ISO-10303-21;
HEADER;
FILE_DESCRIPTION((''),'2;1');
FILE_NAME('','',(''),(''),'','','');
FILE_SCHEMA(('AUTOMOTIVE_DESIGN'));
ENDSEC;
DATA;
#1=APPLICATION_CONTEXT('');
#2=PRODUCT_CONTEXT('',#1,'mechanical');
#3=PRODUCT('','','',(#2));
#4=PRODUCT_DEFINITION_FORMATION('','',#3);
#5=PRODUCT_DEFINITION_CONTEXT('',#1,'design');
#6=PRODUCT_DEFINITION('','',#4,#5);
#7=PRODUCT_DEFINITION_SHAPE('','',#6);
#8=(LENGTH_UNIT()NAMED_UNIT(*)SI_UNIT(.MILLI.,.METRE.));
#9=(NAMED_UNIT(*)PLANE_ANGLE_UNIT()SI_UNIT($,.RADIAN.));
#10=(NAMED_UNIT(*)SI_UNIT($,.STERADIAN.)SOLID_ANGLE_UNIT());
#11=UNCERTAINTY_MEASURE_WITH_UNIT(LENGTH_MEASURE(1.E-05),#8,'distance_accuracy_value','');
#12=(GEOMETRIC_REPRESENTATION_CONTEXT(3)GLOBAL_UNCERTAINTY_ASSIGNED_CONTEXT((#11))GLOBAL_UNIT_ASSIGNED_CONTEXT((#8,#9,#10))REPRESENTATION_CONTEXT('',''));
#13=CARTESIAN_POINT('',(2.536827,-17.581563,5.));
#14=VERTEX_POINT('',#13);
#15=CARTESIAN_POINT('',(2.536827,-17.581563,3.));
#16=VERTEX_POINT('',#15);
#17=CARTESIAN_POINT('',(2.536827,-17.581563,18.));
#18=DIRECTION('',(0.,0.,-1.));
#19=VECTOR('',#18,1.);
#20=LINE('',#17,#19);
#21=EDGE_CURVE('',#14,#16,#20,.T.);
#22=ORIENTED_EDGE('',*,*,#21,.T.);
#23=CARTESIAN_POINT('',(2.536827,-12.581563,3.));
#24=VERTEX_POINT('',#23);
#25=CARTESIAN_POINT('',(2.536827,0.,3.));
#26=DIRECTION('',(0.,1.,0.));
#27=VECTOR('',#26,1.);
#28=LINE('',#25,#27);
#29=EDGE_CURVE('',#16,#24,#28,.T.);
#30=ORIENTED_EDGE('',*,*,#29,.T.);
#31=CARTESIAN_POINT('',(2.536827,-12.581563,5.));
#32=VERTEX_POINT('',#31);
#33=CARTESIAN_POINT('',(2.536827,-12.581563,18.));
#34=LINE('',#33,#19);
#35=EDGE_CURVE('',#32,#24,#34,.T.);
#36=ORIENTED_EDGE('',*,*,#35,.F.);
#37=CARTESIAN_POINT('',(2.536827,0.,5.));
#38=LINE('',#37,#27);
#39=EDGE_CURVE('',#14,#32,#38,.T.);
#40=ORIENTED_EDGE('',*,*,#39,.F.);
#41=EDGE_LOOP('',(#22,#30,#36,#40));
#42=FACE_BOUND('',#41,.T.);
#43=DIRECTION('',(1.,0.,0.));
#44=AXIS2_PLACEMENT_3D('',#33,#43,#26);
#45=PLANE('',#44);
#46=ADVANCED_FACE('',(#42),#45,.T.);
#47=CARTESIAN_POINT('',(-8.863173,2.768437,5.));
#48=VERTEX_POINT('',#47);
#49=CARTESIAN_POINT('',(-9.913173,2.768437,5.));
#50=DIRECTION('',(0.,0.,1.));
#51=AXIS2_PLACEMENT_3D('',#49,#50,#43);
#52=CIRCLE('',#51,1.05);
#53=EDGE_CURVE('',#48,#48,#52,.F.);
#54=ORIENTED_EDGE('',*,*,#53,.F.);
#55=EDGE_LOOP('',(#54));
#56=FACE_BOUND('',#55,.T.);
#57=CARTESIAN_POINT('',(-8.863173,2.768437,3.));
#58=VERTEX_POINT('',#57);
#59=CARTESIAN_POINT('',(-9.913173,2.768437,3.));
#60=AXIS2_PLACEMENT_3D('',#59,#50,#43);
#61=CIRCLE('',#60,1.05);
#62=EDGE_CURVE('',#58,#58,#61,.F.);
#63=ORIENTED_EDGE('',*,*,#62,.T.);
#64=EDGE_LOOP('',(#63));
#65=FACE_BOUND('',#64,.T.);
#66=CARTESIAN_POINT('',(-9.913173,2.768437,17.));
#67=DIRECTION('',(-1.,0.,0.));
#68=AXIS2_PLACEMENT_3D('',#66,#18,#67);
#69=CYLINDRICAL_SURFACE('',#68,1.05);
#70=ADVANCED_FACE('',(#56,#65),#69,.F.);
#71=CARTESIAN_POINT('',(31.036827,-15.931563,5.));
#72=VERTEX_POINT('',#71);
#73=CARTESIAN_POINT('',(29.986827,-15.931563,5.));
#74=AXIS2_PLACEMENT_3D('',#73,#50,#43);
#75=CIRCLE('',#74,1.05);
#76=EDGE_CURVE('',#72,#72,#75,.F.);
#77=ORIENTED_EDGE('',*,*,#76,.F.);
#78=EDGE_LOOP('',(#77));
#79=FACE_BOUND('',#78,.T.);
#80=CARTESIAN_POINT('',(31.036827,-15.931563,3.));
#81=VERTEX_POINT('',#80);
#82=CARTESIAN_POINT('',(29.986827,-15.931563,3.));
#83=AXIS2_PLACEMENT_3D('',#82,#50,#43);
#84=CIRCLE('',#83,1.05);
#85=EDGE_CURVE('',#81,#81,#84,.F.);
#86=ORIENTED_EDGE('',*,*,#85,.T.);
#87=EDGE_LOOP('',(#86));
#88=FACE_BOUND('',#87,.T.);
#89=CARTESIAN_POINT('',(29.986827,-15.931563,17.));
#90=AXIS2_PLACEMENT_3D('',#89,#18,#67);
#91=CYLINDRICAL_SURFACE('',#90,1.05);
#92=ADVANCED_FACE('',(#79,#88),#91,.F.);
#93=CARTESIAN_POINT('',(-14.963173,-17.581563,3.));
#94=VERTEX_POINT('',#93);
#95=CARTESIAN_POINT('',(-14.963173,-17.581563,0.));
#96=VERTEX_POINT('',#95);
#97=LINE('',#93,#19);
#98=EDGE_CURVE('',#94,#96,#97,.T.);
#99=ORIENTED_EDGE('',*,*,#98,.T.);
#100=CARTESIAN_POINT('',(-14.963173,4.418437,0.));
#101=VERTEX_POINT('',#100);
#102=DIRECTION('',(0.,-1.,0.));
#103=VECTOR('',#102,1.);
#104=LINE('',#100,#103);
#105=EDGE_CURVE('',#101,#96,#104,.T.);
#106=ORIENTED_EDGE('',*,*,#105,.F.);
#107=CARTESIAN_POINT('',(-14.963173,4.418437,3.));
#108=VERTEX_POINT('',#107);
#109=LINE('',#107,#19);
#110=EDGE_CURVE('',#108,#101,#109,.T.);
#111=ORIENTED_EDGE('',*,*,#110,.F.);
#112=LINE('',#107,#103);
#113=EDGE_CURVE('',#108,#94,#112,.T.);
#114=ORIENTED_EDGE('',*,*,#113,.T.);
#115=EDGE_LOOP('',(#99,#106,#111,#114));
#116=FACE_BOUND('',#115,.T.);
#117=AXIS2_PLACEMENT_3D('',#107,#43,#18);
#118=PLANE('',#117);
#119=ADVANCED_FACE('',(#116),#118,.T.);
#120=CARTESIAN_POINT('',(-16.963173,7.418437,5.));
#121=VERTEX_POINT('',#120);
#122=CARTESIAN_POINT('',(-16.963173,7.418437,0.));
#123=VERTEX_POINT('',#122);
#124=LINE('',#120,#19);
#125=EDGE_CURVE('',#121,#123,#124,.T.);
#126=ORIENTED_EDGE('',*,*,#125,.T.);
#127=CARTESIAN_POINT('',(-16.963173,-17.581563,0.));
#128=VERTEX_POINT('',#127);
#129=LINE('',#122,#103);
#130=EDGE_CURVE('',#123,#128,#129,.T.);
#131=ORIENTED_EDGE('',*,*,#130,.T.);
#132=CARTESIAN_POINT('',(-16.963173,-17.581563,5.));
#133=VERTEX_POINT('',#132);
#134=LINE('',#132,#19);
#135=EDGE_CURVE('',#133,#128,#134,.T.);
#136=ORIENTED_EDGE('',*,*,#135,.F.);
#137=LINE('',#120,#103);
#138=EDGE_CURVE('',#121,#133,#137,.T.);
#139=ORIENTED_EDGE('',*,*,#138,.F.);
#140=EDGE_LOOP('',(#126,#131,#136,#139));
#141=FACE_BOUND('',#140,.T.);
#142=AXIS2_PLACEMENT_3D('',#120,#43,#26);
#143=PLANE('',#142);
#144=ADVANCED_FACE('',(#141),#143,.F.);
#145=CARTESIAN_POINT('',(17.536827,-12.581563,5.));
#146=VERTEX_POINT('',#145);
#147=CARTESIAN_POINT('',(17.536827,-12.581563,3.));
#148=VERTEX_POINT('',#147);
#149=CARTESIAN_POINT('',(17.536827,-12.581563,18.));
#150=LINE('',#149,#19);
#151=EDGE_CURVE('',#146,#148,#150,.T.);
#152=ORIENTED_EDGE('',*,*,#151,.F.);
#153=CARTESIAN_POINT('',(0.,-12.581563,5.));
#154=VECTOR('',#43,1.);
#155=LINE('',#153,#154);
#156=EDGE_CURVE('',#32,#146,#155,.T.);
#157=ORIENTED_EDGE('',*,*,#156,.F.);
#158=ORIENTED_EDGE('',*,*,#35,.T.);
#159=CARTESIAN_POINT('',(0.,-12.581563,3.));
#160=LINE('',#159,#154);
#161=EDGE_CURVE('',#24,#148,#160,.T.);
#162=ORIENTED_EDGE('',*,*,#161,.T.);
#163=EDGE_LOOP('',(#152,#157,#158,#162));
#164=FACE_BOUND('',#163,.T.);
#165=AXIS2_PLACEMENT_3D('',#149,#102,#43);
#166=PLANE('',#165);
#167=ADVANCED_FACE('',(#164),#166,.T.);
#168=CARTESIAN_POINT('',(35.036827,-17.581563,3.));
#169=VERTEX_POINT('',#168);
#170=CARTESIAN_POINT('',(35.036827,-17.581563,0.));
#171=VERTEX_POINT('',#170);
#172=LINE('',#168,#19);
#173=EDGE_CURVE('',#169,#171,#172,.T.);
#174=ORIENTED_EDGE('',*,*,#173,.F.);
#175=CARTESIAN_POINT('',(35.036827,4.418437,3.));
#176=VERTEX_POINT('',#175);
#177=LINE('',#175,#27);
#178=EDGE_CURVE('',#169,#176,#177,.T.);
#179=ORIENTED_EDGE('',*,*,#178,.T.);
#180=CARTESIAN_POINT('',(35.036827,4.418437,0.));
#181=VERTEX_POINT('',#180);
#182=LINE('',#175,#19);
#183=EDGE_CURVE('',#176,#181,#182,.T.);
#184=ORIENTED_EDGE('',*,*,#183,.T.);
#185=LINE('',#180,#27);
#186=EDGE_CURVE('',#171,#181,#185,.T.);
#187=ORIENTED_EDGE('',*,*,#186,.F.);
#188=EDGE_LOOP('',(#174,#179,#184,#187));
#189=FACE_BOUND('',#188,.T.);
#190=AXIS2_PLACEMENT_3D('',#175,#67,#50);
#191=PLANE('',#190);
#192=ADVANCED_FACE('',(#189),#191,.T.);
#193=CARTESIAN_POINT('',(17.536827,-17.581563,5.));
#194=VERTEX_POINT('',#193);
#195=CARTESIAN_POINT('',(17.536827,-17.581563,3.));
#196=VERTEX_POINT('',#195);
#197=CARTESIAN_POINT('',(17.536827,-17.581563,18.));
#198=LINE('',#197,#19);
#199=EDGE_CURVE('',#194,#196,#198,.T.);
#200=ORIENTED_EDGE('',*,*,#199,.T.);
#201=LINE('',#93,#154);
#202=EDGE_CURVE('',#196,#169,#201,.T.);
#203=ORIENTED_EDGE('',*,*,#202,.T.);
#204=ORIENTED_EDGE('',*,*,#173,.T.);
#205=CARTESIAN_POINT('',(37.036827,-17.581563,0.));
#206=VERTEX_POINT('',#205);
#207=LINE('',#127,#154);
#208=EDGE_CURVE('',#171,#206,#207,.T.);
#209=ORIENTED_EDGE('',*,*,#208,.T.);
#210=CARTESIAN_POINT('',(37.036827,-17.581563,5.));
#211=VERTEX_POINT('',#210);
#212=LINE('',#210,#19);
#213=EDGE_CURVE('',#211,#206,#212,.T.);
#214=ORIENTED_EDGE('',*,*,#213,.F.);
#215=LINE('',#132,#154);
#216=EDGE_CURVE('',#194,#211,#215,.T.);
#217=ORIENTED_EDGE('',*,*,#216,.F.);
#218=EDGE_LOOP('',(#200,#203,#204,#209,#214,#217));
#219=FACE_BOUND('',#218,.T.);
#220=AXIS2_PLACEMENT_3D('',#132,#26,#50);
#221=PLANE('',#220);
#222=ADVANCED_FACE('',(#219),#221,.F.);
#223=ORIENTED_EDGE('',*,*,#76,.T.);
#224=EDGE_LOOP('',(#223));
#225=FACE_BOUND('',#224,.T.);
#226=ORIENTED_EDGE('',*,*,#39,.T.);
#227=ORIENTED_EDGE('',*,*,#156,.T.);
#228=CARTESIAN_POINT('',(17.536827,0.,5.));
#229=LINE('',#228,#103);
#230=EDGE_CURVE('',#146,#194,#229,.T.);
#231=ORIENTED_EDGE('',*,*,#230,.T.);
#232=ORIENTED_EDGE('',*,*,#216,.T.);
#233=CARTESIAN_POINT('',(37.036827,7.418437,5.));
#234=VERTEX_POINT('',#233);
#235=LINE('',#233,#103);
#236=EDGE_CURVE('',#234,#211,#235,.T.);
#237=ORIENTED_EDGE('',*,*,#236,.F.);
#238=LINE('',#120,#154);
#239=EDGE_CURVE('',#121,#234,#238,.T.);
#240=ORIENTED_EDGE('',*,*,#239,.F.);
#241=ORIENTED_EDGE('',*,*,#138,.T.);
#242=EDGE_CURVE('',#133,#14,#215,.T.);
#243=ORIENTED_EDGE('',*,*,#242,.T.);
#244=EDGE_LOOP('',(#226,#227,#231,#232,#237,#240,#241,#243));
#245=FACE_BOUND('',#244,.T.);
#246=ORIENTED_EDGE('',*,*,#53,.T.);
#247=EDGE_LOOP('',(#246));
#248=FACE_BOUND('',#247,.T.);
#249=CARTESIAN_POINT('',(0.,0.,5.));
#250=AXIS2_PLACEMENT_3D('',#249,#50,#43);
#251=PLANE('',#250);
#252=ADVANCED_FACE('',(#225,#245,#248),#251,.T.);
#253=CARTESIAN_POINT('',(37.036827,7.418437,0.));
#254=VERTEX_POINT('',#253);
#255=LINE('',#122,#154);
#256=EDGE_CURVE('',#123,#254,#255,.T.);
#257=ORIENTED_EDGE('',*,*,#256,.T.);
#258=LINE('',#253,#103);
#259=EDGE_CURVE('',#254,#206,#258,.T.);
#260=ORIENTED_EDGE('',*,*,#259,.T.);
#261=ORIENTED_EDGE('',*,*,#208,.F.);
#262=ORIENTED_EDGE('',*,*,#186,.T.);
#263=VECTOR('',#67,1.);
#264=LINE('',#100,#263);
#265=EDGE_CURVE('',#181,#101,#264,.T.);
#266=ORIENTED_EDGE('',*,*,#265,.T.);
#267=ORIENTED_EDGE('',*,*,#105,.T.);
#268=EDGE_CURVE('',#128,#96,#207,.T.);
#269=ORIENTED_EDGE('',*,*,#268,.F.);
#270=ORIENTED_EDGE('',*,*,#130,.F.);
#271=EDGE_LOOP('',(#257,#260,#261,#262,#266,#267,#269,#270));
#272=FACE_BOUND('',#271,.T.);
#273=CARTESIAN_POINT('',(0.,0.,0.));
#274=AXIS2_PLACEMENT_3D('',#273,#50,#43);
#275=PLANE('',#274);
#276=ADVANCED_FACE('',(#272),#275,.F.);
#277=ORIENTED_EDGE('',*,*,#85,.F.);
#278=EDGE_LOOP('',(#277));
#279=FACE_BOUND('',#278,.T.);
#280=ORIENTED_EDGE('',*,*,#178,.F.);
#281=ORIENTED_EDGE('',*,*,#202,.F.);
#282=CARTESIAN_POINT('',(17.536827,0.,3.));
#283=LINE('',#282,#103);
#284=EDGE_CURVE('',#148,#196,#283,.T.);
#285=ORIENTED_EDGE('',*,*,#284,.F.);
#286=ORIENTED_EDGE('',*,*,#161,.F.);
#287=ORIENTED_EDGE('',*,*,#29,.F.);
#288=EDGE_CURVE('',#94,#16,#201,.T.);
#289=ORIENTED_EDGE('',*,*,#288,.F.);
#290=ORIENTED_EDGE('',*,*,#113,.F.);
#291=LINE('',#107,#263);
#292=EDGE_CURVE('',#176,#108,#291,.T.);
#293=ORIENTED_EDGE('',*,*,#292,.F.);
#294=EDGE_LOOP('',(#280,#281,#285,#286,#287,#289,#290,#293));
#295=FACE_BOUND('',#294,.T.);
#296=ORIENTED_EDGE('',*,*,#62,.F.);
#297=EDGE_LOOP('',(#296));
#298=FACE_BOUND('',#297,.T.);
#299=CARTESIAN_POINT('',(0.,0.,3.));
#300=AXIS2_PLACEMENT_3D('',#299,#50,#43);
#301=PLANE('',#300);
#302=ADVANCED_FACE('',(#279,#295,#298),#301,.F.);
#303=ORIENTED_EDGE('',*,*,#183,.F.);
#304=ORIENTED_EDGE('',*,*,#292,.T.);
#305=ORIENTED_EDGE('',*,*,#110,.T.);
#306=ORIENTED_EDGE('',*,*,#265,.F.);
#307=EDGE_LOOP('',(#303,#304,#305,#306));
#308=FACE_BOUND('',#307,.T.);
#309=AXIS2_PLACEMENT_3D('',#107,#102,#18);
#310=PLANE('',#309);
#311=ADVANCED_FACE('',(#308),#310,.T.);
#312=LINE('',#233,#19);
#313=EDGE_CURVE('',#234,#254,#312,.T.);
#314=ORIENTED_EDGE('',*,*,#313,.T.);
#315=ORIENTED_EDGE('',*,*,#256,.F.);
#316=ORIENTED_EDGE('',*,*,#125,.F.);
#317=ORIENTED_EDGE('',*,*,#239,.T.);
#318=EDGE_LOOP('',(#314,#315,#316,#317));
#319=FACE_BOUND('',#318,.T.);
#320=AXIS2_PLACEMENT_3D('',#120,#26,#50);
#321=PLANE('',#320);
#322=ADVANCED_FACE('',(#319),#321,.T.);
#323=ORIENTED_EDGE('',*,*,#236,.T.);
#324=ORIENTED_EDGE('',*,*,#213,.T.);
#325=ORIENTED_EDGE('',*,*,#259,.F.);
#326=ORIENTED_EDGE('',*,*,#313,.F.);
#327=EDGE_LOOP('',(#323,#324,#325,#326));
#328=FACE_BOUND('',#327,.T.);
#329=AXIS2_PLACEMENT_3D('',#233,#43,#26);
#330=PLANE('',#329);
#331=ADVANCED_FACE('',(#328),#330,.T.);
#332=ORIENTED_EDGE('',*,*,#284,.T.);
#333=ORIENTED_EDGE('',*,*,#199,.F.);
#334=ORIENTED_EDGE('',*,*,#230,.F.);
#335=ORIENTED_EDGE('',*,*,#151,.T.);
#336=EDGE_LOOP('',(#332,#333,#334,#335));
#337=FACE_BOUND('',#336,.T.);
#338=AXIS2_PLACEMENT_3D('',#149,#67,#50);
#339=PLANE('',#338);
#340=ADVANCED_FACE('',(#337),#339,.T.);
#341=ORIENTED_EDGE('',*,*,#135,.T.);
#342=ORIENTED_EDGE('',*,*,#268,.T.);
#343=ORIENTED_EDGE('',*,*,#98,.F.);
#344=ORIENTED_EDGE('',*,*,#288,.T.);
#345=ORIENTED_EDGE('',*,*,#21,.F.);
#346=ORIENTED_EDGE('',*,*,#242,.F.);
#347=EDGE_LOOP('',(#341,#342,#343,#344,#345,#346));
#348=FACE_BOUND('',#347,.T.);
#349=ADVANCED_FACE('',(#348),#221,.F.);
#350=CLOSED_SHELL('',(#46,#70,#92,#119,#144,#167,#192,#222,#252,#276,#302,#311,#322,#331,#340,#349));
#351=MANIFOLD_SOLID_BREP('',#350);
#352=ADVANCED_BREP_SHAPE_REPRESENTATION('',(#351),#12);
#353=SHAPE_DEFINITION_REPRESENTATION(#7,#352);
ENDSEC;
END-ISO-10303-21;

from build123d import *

# Parameters (mm, degrees)
SKETCH_1_W          = 54
SKETCH_1_H          = 25
EXTRUDE_1_DEPTH     = 5
SKETCH_2_W          = 50
SKETCH_2_H          = 22
CUT_EXTRUDE_1_DEPTH = 3
SKETCH_3_R          = 1.05
CUT_EXTRUDE_2_DEPTH = 17
SKETCH_4_W          = 15
SKETCH_4_H          = 5
CUT_EXTRUDE_3_DEPTH = 18


with BuildPart() as part:
    # 草圖1 → 填料-伸長1 (new body)
    with BuildSketch(Plane.XY):
        with Locations((10.036827119, -5.081562568)):
            Rectangle(SKETCH_1_W, SKETCH_1_H)
    extrude(amount=EXTRUDE_1_DEPTH)

    # 草圖2 → 除料-伸長1 (cut)
    with BuildSketch(Plane.XY):
        with Locations((10.036827119, -6.581562568)):
            Rectangle(SKETCH_2_W, SKETCH_2_H)
    extrude(amount=CUT_EXTRUDE_1_DEPTH, mode=Mode.SUBTRACT)

    # 草圖3 → 除料-伸長2 (cut)
    with BuildSketch(Plane.XY):
        with Locations((29.986827119, -15.931562568)):
            Circle(SKETCH_3_R)
        with Locations((-9.913172881, 2.768437432)):
            Circle(SKETCH_3_R)
    extrude(amount=CUT_EXTRUDE_2_DEPTH, mode=Mode.SUBTRACT)

    # 草圖4 → 除料-伸長3 (cut)
    with BuildSketch(Plane.XY):
        with Locations((10.036827119, -15.081562568)):
            Rectangle(SKETCH_4_W, SKETCH_4_H)
    extrude(amount=CUT_EXTRUDE_3_DEPTH, mode=Mode.SUBTRACT)


solid = part.part
